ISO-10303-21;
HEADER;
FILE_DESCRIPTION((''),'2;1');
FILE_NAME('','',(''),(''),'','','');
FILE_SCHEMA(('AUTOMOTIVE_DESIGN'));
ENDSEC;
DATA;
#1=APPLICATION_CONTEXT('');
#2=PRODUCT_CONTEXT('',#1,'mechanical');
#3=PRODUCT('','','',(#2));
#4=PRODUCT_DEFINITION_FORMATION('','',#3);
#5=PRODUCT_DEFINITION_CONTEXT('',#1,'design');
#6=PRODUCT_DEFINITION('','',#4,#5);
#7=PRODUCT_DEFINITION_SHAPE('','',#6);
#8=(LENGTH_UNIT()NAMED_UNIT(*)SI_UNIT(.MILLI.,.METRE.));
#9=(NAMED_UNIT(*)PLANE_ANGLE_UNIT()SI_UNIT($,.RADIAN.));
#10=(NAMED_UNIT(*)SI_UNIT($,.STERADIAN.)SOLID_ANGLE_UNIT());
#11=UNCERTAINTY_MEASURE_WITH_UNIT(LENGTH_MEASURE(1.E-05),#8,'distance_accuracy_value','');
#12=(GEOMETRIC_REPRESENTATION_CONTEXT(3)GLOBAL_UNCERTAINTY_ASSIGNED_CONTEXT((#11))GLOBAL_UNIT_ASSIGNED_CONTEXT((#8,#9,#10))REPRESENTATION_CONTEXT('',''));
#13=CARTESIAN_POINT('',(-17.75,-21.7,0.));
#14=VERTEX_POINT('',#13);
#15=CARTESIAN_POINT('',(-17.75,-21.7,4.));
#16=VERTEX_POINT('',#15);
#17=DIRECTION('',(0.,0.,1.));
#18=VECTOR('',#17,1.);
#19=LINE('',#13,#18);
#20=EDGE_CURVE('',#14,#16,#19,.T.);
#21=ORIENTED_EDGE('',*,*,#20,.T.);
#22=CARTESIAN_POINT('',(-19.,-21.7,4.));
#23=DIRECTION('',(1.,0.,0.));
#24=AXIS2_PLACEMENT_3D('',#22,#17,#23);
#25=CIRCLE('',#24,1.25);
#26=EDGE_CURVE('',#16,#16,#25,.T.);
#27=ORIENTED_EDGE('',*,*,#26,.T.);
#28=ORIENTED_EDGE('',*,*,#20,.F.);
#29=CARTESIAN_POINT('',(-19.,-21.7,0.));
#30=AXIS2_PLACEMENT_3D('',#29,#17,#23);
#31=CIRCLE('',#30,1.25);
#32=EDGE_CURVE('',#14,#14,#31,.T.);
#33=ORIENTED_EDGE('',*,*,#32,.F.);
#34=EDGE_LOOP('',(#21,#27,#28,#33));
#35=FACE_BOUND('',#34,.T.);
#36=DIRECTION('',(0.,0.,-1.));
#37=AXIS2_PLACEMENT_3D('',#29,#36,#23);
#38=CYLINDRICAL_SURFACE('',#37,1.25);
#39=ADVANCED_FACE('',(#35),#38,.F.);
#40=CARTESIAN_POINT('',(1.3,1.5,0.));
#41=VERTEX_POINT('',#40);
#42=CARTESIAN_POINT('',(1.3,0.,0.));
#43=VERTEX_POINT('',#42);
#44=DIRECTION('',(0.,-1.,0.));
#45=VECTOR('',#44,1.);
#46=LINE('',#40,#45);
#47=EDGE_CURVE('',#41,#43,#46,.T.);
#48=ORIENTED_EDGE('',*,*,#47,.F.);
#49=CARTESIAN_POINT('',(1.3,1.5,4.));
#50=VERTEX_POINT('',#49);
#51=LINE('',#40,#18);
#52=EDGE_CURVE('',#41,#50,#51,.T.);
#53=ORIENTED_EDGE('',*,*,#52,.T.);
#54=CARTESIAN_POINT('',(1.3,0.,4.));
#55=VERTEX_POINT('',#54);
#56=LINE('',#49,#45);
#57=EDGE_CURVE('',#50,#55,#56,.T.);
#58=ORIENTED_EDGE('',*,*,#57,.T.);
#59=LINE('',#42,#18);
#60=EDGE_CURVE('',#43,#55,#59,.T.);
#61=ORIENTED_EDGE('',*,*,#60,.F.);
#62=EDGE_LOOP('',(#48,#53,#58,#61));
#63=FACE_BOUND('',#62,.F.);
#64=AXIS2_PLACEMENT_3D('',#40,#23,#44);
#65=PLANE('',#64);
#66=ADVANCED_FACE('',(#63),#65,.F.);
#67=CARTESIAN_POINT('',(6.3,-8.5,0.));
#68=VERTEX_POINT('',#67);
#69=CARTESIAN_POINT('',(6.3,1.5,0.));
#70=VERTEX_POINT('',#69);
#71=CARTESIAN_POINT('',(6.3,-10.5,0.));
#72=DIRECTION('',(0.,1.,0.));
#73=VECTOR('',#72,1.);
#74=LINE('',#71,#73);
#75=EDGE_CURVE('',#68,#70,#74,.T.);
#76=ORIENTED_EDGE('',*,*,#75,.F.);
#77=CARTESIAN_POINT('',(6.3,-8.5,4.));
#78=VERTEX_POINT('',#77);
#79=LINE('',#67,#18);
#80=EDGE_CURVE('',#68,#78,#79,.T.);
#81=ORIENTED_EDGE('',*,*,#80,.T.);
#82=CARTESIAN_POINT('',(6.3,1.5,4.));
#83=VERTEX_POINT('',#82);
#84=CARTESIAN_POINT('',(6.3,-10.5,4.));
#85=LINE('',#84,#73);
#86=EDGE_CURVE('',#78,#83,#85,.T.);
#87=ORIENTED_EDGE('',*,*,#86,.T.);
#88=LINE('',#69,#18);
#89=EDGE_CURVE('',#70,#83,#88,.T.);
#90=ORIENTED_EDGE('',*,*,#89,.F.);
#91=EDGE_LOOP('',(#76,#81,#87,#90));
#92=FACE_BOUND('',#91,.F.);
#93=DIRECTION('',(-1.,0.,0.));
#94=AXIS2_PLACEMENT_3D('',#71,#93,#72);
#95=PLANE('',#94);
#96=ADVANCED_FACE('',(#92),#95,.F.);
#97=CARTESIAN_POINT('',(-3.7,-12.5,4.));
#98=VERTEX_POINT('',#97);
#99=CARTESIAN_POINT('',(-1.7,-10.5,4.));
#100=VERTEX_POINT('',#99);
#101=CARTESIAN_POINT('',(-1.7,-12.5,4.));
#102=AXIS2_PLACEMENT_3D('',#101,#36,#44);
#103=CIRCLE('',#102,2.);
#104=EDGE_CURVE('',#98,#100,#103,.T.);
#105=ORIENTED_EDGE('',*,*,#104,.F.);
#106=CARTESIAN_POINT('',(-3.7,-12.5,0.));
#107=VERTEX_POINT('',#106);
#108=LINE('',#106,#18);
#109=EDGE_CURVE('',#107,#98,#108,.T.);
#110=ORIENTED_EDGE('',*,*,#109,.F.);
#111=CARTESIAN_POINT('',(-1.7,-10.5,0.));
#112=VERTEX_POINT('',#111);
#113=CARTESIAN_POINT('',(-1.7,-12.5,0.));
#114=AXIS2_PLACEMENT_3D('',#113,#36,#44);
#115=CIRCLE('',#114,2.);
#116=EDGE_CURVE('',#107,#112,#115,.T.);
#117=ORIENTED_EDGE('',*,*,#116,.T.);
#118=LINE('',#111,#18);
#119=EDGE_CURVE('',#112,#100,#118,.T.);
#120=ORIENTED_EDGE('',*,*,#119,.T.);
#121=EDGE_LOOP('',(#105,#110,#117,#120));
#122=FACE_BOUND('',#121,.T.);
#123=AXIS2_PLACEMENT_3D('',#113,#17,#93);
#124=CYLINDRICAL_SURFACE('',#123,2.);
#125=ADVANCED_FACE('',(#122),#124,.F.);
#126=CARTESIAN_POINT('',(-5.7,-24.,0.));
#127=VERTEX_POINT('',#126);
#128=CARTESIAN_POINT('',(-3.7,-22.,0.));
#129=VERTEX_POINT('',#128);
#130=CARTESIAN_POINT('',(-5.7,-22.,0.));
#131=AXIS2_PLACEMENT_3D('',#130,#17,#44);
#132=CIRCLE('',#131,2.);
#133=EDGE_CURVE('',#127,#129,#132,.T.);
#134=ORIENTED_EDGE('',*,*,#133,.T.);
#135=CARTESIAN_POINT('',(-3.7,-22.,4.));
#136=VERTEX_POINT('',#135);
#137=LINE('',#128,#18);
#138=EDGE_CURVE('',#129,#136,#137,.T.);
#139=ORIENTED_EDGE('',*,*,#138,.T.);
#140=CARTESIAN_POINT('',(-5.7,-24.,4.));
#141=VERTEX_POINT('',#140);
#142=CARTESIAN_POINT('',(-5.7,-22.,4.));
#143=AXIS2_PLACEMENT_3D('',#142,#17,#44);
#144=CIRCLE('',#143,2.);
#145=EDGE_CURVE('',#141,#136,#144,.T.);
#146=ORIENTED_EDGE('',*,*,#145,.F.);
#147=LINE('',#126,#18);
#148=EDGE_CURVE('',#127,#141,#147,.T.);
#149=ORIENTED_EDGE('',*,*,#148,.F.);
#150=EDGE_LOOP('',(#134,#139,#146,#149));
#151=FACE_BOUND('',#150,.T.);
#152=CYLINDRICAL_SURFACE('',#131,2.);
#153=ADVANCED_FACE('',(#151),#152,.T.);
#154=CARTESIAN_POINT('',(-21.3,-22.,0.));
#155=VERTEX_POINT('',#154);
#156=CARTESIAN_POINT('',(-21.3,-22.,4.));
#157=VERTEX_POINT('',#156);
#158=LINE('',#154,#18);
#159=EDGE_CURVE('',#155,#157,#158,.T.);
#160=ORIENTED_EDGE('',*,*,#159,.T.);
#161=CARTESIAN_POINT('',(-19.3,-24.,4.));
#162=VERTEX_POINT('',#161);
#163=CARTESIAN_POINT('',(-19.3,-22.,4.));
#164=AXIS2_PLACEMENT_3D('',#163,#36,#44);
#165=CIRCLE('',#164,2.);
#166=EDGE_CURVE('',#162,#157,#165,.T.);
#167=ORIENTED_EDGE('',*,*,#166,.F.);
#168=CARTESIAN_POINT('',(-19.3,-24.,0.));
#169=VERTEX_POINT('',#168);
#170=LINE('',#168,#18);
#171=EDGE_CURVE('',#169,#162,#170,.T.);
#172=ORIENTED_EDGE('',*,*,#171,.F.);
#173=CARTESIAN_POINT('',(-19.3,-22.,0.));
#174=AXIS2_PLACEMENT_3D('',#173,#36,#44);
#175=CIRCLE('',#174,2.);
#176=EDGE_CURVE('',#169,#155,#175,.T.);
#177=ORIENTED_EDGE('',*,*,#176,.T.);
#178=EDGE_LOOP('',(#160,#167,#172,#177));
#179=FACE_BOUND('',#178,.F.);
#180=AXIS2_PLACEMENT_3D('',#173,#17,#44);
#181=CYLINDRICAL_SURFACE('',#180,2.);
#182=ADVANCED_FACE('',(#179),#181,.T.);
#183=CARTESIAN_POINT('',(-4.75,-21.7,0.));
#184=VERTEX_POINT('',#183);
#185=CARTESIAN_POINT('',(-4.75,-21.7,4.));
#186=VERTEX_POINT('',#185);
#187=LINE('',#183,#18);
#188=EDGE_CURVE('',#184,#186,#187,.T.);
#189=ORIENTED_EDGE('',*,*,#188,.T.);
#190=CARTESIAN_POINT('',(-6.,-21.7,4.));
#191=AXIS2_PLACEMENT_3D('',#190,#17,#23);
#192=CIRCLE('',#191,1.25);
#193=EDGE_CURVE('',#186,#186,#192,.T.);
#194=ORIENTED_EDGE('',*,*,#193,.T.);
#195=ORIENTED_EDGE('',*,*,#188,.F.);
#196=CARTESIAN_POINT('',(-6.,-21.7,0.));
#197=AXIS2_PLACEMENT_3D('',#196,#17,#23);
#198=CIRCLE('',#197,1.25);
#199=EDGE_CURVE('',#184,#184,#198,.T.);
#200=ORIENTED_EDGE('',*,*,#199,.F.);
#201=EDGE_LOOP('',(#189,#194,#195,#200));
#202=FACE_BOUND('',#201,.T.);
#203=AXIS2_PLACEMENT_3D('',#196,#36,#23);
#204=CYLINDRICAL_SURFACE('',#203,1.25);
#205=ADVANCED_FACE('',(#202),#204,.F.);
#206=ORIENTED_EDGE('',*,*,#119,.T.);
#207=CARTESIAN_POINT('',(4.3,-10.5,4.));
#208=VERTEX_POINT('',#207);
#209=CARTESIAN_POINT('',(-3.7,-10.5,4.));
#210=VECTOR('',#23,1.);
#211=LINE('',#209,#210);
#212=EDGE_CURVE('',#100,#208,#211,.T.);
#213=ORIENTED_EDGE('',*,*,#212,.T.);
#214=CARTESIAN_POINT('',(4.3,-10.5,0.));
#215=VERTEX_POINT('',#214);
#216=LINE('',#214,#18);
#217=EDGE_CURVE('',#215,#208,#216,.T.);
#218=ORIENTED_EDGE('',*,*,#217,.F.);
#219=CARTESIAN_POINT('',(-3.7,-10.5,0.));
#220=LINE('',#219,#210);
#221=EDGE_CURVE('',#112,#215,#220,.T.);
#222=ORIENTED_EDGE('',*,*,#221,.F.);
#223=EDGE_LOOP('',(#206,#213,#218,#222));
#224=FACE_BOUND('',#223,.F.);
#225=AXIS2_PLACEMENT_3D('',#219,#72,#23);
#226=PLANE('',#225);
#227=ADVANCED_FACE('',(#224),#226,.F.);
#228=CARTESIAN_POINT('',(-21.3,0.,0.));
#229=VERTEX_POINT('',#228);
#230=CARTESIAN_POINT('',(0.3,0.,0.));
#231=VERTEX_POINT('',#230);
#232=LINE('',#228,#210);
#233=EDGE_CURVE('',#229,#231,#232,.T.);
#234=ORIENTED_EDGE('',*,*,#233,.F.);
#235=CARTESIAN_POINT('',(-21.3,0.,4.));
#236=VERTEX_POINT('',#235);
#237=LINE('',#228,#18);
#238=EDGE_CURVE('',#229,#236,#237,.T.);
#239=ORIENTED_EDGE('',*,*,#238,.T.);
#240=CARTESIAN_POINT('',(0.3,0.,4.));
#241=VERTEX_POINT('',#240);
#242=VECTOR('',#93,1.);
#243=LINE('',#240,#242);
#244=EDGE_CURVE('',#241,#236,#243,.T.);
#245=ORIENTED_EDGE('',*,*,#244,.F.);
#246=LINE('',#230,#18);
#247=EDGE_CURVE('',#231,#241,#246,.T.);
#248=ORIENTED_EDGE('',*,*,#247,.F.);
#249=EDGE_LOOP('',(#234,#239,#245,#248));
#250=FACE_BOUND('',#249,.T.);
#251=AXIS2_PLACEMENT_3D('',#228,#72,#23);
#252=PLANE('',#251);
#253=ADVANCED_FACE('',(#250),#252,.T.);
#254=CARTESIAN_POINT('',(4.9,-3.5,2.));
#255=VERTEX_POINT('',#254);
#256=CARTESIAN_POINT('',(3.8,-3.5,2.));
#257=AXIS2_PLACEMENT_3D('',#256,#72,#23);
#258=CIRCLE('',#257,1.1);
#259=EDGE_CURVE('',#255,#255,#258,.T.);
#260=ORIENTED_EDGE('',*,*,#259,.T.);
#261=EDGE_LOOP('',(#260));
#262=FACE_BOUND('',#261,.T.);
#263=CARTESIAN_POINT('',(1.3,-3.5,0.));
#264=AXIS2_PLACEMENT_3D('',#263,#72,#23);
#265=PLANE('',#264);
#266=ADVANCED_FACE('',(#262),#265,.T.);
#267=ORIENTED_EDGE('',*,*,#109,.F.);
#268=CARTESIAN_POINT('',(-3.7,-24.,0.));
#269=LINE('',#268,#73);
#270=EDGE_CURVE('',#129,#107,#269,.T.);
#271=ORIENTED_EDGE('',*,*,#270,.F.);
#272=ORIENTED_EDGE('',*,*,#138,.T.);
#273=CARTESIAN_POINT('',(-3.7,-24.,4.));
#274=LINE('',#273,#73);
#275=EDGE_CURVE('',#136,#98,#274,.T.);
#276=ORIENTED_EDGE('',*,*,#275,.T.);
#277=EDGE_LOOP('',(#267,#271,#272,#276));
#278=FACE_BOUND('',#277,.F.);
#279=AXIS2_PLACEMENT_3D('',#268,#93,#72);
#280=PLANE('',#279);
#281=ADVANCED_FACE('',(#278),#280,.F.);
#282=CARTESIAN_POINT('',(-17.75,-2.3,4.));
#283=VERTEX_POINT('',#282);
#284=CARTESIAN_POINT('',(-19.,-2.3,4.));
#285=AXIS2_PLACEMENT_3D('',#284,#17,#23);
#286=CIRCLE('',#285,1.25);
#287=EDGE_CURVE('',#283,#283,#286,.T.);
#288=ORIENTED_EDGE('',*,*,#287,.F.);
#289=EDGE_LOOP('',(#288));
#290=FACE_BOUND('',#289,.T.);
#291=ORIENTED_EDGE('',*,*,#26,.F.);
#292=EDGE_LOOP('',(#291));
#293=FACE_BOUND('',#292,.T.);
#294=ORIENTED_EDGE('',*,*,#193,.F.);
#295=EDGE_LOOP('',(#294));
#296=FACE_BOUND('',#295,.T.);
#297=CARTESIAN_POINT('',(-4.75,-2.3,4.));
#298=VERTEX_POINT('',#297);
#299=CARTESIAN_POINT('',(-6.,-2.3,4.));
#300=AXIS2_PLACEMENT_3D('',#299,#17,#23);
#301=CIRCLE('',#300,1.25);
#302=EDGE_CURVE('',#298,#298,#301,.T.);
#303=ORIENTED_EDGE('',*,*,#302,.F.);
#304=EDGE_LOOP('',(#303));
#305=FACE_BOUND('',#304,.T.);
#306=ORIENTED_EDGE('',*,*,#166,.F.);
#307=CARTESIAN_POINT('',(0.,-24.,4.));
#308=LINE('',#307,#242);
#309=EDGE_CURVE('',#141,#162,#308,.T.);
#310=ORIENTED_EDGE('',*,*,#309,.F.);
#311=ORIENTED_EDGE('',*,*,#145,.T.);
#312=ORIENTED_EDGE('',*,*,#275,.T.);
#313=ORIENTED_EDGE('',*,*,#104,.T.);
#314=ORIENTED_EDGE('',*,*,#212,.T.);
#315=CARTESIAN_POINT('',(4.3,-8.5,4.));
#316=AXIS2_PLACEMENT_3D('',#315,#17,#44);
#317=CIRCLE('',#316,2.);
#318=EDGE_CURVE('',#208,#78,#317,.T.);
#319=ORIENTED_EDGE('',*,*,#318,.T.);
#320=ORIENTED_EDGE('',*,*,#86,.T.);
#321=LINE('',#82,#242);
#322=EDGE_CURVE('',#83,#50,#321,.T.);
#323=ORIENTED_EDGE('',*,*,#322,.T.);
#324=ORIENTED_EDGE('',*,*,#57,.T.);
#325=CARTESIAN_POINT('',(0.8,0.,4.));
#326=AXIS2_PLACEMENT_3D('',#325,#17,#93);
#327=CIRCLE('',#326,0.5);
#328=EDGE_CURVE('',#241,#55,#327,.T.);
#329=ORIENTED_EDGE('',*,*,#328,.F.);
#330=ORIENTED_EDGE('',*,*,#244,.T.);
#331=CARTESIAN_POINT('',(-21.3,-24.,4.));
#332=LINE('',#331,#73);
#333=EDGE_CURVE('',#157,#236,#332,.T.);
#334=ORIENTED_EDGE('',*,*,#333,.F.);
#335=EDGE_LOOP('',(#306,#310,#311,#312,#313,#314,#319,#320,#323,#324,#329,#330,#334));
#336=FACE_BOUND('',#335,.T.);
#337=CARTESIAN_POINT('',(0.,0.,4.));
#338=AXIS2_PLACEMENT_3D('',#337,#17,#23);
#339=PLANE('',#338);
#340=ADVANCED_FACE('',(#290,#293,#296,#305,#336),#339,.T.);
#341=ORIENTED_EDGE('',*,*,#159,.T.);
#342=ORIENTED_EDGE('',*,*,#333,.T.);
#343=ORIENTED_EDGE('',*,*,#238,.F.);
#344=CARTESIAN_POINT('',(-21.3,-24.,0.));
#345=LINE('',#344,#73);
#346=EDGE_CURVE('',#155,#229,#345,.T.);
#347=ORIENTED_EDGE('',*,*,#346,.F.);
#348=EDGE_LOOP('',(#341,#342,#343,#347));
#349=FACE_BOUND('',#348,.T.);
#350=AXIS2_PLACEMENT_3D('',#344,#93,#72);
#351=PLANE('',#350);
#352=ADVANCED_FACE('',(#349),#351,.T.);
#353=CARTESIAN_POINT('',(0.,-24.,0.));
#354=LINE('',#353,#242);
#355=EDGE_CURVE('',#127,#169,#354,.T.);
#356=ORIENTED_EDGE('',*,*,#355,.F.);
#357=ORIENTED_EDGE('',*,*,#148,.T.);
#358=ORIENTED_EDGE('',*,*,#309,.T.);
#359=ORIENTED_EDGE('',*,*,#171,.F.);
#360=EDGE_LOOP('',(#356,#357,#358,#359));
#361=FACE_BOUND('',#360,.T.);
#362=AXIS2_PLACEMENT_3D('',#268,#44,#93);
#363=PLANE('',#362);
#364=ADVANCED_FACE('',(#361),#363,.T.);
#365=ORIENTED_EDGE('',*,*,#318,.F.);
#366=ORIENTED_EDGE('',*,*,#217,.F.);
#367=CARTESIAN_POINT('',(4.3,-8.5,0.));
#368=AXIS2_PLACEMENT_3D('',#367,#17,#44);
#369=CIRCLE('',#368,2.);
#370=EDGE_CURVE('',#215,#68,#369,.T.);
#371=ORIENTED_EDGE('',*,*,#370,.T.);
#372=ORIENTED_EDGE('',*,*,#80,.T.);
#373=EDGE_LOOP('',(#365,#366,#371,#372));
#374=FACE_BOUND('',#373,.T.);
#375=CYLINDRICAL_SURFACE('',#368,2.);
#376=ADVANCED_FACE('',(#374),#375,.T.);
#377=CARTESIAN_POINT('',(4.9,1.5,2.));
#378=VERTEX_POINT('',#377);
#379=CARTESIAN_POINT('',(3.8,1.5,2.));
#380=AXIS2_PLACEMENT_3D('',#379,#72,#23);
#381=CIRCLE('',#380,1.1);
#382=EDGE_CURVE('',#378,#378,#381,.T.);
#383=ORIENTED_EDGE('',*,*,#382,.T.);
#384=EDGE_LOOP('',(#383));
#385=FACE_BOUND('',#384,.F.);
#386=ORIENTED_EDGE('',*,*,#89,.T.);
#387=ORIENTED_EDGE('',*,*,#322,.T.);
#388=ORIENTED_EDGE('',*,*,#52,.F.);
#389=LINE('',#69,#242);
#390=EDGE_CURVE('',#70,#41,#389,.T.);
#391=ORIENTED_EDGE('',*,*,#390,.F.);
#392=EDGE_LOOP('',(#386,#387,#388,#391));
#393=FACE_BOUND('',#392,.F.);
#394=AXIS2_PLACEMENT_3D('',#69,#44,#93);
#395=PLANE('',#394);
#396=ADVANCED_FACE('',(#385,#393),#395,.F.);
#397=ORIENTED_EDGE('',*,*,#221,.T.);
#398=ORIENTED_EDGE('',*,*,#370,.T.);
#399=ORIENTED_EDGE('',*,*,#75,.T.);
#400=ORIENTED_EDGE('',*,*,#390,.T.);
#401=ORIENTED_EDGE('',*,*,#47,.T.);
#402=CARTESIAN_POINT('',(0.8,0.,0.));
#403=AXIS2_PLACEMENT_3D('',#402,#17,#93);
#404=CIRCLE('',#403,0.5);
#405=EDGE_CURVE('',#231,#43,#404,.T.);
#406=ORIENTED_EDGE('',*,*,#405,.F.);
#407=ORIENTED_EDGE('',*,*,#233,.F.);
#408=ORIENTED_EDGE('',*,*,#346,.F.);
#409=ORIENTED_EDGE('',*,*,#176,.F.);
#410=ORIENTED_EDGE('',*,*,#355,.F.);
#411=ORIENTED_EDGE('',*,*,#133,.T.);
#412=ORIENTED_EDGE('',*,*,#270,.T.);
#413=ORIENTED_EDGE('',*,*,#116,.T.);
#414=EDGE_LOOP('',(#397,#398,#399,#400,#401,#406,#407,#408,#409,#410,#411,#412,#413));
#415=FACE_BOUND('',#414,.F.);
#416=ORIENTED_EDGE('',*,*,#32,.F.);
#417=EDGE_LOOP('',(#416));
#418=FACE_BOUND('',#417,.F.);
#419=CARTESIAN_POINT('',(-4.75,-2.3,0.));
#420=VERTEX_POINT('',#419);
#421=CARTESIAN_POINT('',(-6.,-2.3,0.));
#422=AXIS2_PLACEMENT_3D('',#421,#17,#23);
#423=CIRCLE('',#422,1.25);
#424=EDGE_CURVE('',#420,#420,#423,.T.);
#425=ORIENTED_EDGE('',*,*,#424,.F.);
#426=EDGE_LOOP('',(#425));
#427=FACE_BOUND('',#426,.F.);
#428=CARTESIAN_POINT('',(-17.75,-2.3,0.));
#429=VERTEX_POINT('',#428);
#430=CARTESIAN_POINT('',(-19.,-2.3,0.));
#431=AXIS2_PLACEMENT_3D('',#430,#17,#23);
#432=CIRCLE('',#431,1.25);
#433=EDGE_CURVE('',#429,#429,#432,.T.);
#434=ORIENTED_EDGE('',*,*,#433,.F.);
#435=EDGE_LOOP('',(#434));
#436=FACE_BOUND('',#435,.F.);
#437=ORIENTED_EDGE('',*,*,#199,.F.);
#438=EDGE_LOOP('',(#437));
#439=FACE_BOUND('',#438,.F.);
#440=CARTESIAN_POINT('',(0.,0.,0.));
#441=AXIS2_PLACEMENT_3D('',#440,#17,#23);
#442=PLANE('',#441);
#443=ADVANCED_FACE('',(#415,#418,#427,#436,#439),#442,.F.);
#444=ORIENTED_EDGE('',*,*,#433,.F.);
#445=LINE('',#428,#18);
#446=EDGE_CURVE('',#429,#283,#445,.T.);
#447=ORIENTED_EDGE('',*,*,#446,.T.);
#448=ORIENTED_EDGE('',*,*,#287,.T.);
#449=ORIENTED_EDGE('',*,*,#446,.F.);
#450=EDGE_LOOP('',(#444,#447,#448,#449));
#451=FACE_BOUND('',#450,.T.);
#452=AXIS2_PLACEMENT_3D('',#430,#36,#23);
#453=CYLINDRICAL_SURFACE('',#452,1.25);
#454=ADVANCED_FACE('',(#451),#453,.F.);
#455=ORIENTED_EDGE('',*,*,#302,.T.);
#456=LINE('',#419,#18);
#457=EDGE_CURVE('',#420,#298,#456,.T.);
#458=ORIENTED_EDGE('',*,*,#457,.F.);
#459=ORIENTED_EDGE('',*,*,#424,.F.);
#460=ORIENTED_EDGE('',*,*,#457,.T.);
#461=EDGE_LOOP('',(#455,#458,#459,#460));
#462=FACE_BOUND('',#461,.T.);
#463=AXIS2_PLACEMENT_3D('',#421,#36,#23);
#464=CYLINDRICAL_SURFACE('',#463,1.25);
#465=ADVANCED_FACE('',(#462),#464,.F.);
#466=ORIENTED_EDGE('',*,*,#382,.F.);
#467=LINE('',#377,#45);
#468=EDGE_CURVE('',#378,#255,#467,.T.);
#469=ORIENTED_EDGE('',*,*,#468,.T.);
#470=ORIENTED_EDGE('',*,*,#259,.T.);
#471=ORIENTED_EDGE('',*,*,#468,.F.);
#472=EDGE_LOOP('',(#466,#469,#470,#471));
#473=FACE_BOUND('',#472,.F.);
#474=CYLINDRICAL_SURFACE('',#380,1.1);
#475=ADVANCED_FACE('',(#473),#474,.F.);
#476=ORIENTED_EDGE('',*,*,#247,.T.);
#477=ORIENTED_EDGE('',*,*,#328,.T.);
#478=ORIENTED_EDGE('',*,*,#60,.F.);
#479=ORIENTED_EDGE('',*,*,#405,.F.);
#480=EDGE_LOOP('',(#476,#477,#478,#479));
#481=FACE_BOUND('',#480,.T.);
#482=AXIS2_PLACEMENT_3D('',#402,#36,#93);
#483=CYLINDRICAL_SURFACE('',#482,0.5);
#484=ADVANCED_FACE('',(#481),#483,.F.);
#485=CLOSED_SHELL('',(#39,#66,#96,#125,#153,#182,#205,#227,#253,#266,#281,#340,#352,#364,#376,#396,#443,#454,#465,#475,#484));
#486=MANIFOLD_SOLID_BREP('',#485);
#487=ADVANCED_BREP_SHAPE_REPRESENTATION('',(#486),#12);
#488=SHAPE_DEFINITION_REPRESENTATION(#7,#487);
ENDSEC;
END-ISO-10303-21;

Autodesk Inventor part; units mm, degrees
ref_plane "YZ Plane" through (0, 0, 0) normal (1, 0, 0) x (0, 1, 0)
ref_plane "XZ Plane" through (0, 0, 0) normal (0, 1, 0) x (-1, 0, 0)
ref_plane "作業平面1" through (0, 0, 0) normal (0, 0, 1) x (1, 0, 0)
sketch "スケッチ1" plane through (0, 0, 0) normal (0, 0, 1) x (1, 0, 0)
  line L0 (0, -24) -> (-27.3, -24) projected
  line L1 (-3.7, -24) -> (-3.7, -10.5)
  line L2 (-3.7, -10.5) -> (6.3, -10.5)
  line L3 (6.3, -10.5) -> (6.3, 1.5)
  line L4 (6.3, 1.5) -> (1.3, 1.5)
  line L5 (-27.3, 0) -> (0, 0) projected
  line L6 (1.3, 1.5) -> (1.3, 0)
  circle A0 centre (-6, -21.7) radius 1.25 projected
  circle A1 centre (-19, -21.7) radius 1.25 projected
  circle A2 centre (-6, -21.7) radius 2.3 construction
  circle A3 centre (-19, -21.7) radius 2.3 construction
  line L7 (1.3, 0) -> (0, 0)
  line L8 (-21.3, -24) -> (-21.3, 0)
  circle A4 centre (-6, -2.3) radius 1.25 projected
  circle A5 centre (-19, -2.3) radius 1.25 projected
  line L9 (1.3, 0) -> (0.8, 0)
  arc A6 (0.3, 0) -> (1.3, 0) centre (0.8, 0) ccw
  dimension "d0" = 1.5
  dimension "d1" = 12
  dimension "d2" = 10
  dimension "d3" = 5
  dimension "d9" = 0.5
extrude "押し出し1" add sketch "スケッチ1" along normal blind 4 contours L0 L8 L5 L7 A6 L6 L4 L3 L2 L1
sketch "スケッチ2" plane through (1.3, 1.5, 0) normal (0, 1, 0) x (1, 0, 0)
  line L0 (5, 0) -> (5, -4) projected
  line L1 (0, 0) -> (-22.6, 0) projected
  line L2 (5, -4) -> (0, 0) construction
  circle A0 centre (2.5, -2) radius 1.1
  point P0 (-1.3, 0)
  dimension "d6" = 2.2
extrude "押し出し2" cut sketch "スケッチ2" against normal blind 5
fillet "フィレット1" radius 2 4 edges at (6.3, -10.5, 2) (-3.7, -10.5, 2) (-3.7, -24, 2) (-21.3, -24, 2)
properties part number "SolenoidMount"
